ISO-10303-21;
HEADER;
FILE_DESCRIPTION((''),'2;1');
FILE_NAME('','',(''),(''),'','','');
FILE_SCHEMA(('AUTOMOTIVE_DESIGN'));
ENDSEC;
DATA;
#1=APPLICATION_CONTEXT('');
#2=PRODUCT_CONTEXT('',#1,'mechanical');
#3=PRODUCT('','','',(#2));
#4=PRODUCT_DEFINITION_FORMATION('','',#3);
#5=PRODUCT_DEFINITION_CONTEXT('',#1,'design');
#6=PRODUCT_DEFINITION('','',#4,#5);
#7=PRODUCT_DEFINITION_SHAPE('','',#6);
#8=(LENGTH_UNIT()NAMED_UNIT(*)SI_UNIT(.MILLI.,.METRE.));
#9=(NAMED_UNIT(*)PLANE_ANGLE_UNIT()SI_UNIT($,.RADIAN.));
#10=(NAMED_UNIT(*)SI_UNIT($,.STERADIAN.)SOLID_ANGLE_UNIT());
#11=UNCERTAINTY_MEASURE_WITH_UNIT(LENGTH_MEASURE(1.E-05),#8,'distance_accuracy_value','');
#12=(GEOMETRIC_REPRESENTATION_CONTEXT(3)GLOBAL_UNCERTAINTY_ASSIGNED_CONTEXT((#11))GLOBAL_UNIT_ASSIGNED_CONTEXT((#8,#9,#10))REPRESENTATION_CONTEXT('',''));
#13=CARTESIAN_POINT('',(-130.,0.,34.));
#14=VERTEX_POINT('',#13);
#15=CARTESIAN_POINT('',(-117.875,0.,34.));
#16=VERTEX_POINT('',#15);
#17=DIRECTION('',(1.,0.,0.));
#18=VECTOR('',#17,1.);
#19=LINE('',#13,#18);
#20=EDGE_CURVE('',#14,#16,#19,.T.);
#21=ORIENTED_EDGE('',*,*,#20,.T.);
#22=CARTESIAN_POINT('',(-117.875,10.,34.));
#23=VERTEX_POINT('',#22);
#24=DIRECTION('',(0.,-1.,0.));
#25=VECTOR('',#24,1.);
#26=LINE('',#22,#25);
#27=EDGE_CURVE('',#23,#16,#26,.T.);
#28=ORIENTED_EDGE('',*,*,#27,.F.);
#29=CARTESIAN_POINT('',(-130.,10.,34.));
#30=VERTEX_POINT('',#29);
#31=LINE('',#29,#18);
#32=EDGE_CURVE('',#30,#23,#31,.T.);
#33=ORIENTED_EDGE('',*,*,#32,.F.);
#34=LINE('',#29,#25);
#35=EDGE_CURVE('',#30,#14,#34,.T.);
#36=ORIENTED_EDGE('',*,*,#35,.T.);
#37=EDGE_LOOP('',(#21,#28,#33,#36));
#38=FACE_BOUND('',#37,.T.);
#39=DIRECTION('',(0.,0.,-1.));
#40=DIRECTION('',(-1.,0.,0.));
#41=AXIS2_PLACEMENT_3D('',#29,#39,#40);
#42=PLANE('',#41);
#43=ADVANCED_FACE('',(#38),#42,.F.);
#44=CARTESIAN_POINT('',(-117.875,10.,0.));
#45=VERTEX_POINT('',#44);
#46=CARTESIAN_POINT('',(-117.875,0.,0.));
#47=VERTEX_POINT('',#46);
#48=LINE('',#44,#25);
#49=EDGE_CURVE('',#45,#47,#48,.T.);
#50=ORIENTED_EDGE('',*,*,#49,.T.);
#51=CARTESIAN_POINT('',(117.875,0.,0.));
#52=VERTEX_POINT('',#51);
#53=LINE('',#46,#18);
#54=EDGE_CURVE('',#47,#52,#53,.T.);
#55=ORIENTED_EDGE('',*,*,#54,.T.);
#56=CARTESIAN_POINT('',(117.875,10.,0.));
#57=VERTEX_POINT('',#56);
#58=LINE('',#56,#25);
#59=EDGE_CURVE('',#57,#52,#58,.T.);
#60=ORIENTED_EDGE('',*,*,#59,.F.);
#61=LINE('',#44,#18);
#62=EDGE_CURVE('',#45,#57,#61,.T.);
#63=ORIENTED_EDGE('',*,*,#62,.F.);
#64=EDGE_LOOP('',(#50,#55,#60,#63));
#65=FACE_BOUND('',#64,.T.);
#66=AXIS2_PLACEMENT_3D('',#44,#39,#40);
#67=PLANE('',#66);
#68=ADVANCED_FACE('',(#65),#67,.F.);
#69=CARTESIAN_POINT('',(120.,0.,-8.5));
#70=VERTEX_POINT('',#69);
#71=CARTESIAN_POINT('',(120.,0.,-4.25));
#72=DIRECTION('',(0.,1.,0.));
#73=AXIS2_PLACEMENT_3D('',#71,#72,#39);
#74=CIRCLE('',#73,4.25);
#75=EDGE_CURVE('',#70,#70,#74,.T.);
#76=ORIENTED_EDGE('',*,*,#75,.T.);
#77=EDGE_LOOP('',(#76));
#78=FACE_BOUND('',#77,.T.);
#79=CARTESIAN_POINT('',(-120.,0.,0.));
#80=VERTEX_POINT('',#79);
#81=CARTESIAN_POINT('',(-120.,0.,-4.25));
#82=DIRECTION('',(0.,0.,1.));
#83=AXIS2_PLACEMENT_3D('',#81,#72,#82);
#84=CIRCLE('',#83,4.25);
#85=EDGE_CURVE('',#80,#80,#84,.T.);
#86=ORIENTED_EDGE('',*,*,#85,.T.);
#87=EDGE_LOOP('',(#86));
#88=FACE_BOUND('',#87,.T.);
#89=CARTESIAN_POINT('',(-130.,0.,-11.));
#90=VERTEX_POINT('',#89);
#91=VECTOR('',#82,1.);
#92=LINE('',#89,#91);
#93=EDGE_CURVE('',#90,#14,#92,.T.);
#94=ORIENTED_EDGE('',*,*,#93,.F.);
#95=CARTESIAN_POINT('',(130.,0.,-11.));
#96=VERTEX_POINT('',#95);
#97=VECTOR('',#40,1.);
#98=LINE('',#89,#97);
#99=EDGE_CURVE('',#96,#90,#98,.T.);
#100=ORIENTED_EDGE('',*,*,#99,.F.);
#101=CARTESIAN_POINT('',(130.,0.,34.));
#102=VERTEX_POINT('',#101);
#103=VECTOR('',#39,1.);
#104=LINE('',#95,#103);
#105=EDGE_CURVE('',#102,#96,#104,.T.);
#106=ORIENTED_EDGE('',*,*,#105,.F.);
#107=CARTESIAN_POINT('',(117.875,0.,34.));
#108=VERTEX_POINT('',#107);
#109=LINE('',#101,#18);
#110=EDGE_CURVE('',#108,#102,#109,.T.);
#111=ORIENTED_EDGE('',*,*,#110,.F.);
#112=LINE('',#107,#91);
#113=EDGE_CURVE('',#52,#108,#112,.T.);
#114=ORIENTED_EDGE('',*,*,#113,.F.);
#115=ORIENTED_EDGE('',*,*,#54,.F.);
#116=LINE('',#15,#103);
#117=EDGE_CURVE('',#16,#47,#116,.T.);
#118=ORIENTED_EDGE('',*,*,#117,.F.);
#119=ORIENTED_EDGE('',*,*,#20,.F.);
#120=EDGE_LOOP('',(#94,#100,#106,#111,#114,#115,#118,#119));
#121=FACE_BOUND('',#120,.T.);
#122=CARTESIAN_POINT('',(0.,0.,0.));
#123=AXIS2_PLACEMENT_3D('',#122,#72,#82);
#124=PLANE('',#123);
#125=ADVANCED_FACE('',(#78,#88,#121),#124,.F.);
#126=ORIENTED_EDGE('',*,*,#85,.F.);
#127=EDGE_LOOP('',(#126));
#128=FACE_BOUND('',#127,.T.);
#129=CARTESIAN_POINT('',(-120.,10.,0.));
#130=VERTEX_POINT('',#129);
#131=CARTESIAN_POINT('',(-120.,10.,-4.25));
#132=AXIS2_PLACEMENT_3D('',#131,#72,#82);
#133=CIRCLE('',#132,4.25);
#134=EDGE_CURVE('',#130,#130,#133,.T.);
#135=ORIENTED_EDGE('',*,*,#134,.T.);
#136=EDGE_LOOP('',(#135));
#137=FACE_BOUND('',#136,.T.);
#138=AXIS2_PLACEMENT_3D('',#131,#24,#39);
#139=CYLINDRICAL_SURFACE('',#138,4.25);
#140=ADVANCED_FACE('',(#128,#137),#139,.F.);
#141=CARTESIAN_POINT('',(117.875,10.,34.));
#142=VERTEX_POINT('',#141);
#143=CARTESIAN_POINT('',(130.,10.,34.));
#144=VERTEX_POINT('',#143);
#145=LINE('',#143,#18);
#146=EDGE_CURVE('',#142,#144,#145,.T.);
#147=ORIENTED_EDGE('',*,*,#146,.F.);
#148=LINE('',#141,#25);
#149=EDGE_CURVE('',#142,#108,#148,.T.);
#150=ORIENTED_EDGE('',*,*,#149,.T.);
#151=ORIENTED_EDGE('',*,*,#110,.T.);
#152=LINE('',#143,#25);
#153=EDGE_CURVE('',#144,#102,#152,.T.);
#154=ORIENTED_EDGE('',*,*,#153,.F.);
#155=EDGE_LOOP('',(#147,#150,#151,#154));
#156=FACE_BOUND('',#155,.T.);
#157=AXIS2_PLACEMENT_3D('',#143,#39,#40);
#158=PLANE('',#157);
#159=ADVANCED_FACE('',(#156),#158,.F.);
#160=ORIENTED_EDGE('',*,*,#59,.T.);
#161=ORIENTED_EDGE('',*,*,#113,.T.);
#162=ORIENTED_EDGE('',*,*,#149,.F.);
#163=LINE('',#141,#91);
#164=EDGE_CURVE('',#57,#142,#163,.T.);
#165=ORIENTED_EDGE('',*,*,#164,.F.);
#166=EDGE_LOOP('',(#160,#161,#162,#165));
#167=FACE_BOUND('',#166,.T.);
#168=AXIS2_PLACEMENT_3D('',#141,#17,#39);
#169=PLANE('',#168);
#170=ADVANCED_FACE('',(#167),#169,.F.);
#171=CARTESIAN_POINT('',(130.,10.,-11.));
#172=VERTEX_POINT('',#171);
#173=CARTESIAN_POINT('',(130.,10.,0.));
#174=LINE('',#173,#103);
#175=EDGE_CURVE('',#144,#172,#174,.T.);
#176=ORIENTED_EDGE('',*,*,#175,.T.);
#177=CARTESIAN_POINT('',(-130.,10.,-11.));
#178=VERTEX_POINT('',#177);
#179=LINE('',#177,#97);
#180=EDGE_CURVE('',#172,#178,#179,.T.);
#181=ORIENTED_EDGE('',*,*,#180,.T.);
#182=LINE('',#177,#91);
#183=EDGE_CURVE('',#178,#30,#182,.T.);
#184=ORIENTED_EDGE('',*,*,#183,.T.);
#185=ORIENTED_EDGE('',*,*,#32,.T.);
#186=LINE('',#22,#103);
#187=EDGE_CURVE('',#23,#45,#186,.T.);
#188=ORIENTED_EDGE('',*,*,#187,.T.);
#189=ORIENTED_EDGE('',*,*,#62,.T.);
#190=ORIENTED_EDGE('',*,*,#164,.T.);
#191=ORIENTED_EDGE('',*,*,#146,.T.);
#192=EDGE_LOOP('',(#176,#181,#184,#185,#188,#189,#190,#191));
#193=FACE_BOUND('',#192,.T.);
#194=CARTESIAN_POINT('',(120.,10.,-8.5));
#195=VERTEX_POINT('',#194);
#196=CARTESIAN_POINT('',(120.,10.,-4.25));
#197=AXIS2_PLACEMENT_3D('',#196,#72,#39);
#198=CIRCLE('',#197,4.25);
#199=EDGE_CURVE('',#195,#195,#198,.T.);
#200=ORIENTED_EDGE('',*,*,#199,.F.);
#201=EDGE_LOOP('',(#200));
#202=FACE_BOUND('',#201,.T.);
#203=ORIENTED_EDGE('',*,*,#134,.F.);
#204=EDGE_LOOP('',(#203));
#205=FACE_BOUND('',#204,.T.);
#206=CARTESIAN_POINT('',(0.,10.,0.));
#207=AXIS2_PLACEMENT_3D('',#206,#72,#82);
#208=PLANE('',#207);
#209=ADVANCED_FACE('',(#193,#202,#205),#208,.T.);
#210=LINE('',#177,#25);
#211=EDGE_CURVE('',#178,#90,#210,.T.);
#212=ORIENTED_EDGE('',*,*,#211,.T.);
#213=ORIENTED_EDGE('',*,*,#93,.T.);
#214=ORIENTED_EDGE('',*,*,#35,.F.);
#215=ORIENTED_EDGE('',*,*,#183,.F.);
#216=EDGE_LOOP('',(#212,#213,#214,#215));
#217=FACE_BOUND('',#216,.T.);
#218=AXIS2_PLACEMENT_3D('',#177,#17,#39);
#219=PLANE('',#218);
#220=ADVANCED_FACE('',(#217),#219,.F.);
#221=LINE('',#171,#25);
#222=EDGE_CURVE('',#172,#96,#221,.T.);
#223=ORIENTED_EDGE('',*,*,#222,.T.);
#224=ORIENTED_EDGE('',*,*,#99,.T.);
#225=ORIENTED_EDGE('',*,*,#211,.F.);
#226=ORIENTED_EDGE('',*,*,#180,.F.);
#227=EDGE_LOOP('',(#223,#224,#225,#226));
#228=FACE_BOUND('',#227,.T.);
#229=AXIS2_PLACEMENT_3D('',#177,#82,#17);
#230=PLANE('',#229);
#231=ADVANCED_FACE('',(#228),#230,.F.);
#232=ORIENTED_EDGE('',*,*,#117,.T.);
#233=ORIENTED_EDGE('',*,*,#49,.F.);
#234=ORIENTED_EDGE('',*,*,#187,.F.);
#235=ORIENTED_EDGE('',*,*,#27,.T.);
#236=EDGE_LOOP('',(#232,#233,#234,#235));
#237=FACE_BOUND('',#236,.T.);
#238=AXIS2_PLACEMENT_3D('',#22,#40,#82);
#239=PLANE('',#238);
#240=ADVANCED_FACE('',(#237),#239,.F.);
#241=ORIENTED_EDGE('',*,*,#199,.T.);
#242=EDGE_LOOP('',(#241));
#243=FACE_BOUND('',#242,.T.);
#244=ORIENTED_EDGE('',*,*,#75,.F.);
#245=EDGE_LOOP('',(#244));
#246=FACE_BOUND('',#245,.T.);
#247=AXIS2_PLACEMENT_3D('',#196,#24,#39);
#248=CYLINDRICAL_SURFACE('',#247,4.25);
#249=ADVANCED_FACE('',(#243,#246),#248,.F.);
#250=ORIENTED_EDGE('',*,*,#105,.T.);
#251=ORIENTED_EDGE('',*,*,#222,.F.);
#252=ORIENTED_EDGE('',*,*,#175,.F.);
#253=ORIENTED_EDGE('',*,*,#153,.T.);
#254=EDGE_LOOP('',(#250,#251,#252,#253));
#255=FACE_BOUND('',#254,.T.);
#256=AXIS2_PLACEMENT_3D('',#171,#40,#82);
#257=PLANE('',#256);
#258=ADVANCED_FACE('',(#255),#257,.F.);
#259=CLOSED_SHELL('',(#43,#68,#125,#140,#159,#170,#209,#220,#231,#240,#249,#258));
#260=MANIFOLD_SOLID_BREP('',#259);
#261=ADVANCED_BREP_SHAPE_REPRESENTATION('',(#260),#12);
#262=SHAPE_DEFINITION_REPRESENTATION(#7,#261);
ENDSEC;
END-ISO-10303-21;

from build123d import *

# Parameters (mm, degrees)
SKETCH1_R           = 4.25
BOSS_EXTRUDE1_DEPTH = 10


with BuildPart() as part:
    # Sketch1 → Boss-Extrude1 (new body)
    with BuildSketch(Plane(origin=(0, 0, 0), x_dir=(1, 0, 0), z_dir=(0, 1, 0))):
        Polygon((-130, 11), (130, 11), (130, 0), (130, -34), (117.875, -34), (117.875, 0), (-117.875, 0), (-117.875, -34), (-130, -34), align=None)
        with Locations(Location((-120, 4.25, 0), (0, 0, 270))):
            Circle(SKETCH1_R, mode=Mode.SUBTRACT)
        with Locations(Location((120, 4.25, 0), (0, 0, 90))):
            Circle(SKETCH1_R, mode=Mode.SUBTRACT)
    extrude(amount=BOSS_EXTRUDE1_DEPTH)


solid = part.part
